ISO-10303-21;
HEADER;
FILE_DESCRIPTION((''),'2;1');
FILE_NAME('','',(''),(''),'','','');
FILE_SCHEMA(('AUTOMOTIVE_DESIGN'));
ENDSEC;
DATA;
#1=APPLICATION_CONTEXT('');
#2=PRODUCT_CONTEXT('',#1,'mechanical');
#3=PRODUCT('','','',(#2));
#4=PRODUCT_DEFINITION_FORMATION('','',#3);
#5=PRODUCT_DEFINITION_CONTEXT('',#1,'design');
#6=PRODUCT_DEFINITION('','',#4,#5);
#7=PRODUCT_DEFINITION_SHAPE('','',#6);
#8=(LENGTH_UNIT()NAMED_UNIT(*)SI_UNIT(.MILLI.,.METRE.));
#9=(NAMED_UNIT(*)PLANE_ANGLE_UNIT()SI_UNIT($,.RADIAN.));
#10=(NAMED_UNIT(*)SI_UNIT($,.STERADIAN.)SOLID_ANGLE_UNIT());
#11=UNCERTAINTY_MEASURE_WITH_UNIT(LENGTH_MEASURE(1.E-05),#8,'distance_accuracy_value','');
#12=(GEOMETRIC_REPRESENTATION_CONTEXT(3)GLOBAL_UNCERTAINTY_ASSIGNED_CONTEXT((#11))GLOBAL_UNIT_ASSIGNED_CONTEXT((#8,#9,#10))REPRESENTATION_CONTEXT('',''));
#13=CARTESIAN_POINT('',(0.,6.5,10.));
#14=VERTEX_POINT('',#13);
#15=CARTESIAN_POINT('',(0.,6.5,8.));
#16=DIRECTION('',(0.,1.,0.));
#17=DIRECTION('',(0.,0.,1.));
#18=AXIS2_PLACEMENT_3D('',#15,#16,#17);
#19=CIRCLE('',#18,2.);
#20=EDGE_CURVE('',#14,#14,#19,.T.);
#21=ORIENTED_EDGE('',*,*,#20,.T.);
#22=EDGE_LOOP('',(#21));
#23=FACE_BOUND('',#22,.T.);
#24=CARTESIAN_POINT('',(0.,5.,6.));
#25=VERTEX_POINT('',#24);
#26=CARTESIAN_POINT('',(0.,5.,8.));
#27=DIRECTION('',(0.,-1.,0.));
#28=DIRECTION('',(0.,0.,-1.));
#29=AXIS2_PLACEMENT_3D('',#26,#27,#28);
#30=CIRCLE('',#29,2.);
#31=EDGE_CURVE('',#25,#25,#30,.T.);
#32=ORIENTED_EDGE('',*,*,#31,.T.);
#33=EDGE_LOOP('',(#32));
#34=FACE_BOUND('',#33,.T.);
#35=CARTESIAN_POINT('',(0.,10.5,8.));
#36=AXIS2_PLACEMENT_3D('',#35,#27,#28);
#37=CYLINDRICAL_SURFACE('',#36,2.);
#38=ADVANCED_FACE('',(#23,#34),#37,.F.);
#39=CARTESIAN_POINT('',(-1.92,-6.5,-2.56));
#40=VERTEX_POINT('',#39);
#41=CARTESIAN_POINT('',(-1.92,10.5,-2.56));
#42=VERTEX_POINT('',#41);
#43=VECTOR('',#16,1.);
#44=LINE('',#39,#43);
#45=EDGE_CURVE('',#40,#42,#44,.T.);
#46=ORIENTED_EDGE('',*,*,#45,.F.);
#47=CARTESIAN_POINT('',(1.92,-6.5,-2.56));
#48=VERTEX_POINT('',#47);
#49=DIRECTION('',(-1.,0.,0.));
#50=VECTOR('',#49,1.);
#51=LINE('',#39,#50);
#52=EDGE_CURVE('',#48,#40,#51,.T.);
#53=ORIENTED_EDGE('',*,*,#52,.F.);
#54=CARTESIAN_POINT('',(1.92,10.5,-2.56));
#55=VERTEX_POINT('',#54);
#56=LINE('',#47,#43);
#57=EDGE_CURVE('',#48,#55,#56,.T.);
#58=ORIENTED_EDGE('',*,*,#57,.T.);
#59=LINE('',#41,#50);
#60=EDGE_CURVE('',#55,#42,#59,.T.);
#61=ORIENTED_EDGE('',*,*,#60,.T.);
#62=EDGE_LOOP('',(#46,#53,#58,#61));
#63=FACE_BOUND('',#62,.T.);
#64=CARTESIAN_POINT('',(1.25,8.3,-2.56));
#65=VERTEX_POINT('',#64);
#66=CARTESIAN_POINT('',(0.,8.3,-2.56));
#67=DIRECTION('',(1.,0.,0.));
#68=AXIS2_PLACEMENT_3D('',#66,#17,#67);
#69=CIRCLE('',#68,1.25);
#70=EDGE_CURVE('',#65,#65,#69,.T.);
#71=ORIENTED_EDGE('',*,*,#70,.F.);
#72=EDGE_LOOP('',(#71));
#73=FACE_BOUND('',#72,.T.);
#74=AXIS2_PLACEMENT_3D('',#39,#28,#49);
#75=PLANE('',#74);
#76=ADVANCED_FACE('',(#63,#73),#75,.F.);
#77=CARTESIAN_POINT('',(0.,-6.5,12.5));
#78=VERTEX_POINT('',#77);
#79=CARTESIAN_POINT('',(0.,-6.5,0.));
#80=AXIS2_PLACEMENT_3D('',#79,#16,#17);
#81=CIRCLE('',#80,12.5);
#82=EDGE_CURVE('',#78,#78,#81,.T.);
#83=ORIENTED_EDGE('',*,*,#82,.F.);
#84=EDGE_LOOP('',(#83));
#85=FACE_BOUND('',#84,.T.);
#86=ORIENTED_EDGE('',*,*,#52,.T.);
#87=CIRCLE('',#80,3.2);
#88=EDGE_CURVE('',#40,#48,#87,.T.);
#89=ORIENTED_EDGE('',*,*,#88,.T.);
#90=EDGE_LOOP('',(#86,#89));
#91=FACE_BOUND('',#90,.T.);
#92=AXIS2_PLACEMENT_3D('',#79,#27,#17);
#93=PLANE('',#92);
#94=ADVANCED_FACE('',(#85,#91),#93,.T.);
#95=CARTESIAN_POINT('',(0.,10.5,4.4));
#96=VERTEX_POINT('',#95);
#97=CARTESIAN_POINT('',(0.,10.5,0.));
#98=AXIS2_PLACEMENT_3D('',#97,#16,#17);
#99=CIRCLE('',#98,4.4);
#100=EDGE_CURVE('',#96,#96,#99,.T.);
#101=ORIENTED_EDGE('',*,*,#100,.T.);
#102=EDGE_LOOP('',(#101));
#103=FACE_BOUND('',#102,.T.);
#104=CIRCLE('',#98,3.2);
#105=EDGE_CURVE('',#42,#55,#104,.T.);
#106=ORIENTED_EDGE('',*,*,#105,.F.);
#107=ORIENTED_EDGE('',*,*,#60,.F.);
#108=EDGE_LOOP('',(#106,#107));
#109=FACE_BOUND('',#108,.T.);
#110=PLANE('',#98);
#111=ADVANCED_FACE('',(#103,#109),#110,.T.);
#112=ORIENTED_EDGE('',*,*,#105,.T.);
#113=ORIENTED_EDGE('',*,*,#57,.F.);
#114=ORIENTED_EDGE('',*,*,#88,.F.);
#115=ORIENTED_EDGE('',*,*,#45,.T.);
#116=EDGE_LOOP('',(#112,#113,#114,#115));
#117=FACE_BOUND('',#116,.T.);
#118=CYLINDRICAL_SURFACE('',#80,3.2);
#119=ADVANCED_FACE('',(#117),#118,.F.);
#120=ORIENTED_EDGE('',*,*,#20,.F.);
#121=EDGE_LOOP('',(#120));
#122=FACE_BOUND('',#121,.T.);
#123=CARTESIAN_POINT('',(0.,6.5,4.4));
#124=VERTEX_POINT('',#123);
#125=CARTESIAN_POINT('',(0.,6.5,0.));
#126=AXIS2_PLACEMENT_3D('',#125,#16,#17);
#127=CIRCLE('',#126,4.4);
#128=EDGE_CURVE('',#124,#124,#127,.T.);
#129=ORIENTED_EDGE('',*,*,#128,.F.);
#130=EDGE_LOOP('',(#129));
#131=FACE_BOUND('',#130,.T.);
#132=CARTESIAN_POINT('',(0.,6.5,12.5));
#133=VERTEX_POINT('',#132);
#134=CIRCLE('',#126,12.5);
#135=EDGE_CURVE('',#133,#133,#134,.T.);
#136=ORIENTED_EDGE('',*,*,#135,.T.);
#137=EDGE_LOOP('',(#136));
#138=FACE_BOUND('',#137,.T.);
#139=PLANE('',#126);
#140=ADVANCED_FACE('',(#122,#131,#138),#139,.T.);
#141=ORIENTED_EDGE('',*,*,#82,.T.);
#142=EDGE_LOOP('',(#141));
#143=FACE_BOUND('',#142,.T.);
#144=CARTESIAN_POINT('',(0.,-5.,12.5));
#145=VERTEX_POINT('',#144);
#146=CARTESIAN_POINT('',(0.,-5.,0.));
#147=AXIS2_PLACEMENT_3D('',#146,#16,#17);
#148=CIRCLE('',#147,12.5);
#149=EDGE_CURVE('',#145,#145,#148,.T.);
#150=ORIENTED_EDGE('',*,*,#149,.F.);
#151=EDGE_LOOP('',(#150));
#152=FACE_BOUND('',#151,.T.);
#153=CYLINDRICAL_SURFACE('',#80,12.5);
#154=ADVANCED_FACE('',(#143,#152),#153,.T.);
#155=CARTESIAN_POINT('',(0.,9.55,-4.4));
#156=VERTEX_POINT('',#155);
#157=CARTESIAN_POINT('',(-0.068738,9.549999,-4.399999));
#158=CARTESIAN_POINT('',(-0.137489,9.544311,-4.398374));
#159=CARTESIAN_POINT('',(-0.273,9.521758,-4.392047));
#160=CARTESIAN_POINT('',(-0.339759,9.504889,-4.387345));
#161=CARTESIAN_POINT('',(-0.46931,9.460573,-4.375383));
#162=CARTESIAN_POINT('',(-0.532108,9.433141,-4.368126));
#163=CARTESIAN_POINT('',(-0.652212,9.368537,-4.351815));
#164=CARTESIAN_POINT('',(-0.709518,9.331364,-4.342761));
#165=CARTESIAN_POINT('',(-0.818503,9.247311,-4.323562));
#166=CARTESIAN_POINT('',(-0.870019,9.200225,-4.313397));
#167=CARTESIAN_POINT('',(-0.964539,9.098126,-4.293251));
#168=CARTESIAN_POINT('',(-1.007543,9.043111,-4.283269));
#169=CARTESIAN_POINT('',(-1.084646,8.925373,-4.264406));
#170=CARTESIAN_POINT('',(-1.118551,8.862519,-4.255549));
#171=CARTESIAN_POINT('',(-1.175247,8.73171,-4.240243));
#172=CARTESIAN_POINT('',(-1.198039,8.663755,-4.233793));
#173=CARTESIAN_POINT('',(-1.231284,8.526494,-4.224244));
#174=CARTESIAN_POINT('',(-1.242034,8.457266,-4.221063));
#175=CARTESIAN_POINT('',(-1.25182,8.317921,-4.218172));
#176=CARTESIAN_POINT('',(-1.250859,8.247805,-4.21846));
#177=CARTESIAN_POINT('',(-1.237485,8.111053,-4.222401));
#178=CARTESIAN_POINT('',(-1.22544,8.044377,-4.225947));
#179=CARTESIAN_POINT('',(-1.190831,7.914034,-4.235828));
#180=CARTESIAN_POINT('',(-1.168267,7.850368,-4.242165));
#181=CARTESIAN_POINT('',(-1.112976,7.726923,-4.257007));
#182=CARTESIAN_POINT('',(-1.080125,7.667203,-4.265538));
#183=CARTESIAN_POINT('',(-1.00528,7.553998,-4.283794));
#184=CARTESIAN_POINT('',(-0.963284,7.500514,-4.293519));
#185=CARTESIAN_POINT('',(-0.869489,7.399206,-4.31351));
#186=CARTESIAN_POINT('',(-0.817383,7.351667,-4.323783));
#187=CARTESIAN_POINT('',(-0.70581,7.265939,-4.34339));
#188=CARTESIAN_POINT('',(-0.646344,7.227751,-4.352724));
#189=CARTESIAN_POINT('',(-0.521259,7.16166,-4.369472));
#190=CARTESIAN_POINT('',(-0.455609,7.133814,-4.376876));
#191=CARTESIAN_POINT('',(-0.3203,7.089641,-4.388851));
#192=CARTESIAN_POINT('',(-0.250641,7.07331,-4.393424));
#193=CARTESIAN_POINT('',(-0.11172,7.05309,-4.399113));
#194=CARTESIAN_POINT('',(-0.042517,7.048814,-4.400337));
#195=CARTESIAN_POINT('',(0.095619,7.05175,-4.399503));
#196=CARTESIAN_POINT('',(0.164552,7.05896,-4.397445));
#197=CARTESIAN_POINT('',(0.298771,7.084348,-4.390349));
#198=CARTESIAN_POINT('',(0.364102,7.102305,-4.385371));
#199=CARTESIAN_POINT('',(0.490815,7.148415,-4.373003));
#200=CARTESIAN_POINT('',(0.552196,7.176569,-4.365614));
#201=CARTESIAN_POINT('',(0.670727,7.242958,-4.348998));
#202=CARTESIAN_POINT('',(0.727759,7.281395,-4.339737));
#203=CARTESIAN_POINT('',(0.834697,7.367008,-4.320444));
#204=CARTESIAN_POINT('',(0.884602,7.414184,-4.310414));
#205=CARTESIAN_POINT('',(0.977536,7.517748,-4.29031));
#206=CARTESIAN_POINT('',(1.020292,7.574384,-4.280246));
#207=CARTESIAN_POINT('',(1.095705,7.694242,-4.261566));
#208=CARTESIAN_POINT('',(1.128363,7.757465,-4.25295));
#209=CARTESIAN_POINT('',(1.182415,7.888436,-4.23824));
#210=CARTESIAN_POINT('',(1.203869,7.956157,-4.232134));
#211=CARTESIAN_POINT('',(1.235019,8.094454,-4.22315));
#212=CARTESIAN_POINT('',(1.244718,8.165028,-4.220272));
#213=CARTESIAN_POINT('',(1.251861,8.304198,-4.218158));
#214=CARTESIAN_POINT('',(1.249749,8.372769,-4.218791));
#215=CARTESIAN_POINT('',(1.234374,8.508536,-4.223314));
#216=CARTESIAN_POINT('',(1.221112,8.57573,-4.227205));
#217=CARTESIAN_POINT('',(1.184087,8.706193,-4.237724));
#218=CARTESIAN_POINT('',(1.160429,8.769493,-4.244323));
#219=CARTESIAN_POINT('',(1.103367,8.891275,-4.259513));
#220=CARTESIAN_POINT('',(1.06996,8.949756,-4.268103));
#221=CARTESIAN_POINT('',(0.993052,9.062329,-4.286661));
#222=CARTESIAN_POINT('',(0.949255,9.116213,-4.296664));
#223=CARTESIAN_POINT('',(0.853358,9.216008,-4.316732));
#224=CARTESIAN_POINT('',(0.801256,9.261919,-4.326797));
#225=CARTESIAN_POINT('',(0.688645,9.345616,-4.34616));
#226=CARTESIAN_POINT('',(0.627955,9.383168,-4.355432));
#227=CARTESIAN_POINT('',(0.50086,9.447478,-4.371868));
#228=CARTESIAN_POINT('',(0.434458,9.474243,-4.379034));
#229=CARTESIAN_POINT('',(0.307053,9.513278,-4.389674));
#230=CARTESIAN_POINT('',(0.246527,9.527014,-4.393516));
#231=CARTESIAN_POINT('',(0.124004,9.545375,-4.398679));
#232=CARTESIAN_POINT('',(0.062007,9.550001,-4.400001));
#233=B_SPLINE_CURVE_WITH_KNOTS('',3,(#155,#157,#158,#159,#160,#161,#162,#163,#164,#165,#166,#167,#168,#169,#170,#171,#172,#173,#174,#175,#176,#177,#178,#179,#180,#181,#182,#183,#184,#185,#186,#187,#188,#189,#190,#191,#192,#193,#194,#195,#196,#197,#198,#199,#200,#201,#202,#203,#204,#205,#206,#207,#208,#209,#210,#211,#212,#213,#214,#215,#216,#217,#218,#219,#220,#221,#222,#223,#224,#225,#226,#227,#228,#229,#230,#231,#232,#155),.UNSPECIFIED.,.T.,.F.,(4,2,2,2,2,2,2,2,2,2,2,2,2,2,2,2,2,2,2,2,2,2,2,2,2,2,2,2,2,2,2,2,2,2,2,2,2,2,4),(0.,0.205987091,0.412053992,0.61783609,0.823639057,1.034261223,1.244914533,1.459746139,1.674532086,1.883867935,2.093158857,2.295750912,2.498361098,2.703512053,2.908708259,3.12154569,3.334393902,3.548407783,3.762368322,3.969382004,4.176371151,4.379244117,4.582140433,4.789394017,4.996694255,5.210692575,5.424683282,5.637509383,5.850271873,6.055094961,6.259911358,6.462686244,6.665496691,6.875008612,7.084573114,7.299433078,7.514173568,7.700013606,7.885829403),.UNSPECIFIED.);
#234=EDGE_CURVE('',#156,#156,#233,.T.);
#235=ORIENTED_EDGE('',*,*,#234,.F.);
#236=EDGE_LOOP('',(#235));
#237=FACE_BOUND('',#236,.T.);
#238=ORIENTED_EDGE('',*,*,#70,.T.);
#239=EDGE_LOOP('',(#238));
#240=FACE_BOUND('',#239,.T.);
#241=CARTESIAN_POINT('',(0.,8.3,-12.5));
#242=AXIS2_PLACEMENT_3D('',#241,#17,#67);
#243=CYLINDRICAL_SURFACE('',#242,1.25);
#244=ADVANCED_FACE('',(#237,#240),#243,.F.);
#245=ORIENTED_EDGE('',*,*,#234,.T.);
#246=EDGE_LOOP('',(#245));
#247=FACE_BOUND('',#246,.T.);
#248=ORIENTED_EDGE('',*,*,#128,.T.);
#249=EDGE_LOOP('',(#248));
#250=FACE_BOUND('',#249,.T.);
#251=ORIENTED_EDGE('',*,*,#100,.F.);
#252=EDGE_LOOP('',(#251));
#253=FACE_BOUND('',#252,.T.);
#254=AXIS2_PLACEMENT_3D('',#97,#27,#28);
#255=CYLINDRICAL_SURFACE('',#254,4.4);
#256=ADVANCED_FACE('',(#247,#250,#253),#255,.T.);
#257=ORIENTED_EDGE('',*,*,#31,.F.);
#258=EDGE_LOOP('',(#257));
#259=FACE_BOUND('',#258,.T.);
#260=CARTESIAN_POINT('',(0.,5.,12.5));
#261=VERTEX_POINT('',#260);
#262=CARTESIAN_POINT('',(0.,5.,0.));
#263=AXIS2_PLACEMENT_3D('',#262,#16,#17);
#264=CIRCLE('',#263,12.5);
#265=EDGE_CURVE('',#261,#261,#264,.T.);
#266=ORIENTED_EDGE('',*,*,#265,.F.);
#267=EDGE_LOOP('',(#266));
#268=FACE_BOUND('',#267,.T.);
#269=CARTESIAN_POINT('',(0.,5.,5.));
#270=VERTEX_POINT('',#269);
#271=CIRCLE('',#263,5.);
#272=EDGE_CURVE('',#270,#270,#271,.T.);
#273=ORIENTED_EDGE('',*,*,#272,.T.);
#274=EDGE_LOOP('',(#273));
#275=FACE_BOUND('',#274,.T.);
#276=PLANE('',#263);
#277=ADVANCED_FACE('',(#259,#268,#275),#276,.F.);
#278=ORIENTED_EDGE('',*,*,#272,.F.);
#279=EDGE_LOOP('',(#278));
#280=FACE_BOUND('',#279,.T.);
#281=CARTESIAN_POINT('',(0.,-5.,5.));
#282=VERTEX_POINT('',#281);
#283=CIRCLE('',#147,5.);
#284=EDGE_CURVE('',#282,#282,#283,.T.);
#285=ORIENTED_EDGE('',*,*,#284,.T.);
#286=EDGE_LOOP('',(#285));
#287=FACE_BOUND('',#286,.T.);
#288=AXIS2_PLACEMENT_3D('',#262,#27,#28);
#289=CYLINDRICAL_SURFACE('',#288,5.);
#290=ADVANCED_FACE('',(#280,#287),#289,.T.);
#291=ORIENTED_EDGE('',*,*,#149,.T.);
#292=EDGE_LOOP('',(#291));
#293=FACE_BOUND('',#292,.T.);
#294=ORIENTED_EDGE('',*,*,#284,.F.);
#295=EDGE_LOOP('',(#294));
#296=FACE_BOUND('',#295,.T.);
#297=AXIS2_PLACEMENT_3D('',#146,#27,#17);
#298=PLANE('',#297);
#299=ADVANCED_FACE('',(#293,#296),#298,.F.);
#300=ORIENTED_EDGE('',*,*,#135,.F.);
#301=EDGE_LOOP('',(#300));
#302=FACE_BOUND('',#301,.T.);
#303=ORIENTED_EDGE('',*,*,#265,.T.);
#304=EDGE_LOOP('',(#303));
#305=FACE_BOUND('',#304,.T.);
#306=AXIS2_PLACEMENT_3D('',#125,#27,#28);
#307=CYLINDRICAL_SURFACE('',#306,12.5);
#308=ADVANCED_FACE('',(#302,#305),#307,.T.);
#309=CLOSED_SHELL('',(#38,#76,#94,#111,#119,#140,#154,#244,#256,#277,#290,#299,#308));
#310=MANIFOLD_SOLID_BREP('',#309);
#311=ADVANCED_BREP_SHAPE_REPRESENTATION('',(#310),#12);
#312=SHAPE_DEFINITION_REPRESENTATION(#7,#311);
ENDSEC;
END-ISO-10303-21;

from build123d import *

# Parameters (mm, degrees)
SKETCH2_R               = 5
BOSS_EXTRUDE1_DEPTH     = 5
SKETCH3_R               = 12.5
BOSS_EXTRUDE2_DEPTH     = 1.5
CUT_EXTRUDE1_DEPTH      = 22.943108257
CUT_EXTRUDE1_DEPTH_BACK = 22.943108257
SKETCH5_R               = 4.4
BOSS_EXTRUDE3_DEPTH     = 4
CUT_EXTRUDE2_DEPTH      = 25.525496937
SKETCH7_R               = 1.25
CUT_EXTRUDE3_DEPTH      = 23.210438987
SKETCH9_R               = 2
CUT_EXTRUDE4_DEPTH      = 22.089096709


with BuildPart() as part:
    # Sketch2 → Boss-Extrude1 (new, symmetric)
    with BuildSketch(Plane(origin=(0, 0, 0), x_dir=(1, 0, 0), z_dir=(0, 1, 0))):
        with Locations(Location((0, 0, 0), (0, 0, 270))):
            Circle(SKETCH2_R)
    extrude(amount=BOSS_EXTRUDE1_DEPTH, both=True)

    # Sketch3 → Boss-Extrude2 (add)
    with BuildSketch(Plane(origin=(0, 5, 0), x_dir=(1, 0, 0), z_dir=(0, 1, 0))):
        with Locations(Location((0, 0, 0), (0, 0, 270))):
            Circle(SKETCH3_R)
    boss_extrude2 = extrude(amount=BOSS_EXTRUDE2_DEPTH)

    # Mirror1: Boss-Extrude2 across plane
    add(boss_extrude2.mirror(Plane.ZX))

    # Sketch4 → Cut-Extrude1 (cut, two sides: drawn at the far end of the back side and taken through both)
    with BuildSketch(Plane(origin=(0, 6.5, 0), x_dir=(1, 0, 0), z_dir=(0, 1, 0)).offset(-CUT_EXTRUDE1_DEPTH_BACK)):
        with BuildLine():
            Line((-1.92, 2.56), (1.92, 2.56))
            ThreePointArc((1.92, 2.56), (0, -3.2), (-1.92, 2.56))
        make_face()
    extrude(amount=CUT_EXTRUDE1_DEPTH + CUT_EXTRUDE1_DEPTH_BACK, mode=Mode.SUBTRACT)

    # Sketch5 → Boss-Extrude3 (add)
    with BuildSketch(Plane(origin=(0, 6.5, 0), x_dir=(1, 0, 0), z_dir=(0, 1, 0))):
        with Locations(Location((0, 0, 0), (0, 0, 270))):
            Circle(SKETCH5_R)
    extrude(amount=BOSS_EXTRUDE3_DEPTH)

    # Sketch6 → Cut-Extrude2 (cut, through all)
    with BuildSketch(Plane(origin=(0, 10.5, 0), x_dir=(1, 0, 0), z_dir=(0, 1, 0))):
        with BuildLine():
            Line((-1.92, 2.56), (1.92, 2.56))
            ThreePointArc((1.92, 2.56), (0, -3.2), (-1.92, 2.56))
        make_face()
    extrude(amount=-CUT_EXTRUDE2_DEPTH, mode=Mode.SUBTRACT)

    # Sketch7 → Cut-Extrude3 (cut, through all)
    with BuildSketch(Plane.XY.offset(-2.56)):
        with Locations((0, 8.3)):
            Circle(SKETCH7_R)
    extrude(amount=-CUT_EXTRUDE3_DEPTH, mode=Mode.SUBTRACT)

    # Sketch9 → Cut-Extrude4 (cut, through all)
    with BuildSketch(Plane.XZ.offset(-5)):
        with Locations(Location((0, 8, 0), (0, 0, 270))):
            Circle(SKETCH9_R)
    extrude(amount=-CUT_EXTRUDE4_DEPTH, mode=Mode.SUBTRACT)


solid = part.part
